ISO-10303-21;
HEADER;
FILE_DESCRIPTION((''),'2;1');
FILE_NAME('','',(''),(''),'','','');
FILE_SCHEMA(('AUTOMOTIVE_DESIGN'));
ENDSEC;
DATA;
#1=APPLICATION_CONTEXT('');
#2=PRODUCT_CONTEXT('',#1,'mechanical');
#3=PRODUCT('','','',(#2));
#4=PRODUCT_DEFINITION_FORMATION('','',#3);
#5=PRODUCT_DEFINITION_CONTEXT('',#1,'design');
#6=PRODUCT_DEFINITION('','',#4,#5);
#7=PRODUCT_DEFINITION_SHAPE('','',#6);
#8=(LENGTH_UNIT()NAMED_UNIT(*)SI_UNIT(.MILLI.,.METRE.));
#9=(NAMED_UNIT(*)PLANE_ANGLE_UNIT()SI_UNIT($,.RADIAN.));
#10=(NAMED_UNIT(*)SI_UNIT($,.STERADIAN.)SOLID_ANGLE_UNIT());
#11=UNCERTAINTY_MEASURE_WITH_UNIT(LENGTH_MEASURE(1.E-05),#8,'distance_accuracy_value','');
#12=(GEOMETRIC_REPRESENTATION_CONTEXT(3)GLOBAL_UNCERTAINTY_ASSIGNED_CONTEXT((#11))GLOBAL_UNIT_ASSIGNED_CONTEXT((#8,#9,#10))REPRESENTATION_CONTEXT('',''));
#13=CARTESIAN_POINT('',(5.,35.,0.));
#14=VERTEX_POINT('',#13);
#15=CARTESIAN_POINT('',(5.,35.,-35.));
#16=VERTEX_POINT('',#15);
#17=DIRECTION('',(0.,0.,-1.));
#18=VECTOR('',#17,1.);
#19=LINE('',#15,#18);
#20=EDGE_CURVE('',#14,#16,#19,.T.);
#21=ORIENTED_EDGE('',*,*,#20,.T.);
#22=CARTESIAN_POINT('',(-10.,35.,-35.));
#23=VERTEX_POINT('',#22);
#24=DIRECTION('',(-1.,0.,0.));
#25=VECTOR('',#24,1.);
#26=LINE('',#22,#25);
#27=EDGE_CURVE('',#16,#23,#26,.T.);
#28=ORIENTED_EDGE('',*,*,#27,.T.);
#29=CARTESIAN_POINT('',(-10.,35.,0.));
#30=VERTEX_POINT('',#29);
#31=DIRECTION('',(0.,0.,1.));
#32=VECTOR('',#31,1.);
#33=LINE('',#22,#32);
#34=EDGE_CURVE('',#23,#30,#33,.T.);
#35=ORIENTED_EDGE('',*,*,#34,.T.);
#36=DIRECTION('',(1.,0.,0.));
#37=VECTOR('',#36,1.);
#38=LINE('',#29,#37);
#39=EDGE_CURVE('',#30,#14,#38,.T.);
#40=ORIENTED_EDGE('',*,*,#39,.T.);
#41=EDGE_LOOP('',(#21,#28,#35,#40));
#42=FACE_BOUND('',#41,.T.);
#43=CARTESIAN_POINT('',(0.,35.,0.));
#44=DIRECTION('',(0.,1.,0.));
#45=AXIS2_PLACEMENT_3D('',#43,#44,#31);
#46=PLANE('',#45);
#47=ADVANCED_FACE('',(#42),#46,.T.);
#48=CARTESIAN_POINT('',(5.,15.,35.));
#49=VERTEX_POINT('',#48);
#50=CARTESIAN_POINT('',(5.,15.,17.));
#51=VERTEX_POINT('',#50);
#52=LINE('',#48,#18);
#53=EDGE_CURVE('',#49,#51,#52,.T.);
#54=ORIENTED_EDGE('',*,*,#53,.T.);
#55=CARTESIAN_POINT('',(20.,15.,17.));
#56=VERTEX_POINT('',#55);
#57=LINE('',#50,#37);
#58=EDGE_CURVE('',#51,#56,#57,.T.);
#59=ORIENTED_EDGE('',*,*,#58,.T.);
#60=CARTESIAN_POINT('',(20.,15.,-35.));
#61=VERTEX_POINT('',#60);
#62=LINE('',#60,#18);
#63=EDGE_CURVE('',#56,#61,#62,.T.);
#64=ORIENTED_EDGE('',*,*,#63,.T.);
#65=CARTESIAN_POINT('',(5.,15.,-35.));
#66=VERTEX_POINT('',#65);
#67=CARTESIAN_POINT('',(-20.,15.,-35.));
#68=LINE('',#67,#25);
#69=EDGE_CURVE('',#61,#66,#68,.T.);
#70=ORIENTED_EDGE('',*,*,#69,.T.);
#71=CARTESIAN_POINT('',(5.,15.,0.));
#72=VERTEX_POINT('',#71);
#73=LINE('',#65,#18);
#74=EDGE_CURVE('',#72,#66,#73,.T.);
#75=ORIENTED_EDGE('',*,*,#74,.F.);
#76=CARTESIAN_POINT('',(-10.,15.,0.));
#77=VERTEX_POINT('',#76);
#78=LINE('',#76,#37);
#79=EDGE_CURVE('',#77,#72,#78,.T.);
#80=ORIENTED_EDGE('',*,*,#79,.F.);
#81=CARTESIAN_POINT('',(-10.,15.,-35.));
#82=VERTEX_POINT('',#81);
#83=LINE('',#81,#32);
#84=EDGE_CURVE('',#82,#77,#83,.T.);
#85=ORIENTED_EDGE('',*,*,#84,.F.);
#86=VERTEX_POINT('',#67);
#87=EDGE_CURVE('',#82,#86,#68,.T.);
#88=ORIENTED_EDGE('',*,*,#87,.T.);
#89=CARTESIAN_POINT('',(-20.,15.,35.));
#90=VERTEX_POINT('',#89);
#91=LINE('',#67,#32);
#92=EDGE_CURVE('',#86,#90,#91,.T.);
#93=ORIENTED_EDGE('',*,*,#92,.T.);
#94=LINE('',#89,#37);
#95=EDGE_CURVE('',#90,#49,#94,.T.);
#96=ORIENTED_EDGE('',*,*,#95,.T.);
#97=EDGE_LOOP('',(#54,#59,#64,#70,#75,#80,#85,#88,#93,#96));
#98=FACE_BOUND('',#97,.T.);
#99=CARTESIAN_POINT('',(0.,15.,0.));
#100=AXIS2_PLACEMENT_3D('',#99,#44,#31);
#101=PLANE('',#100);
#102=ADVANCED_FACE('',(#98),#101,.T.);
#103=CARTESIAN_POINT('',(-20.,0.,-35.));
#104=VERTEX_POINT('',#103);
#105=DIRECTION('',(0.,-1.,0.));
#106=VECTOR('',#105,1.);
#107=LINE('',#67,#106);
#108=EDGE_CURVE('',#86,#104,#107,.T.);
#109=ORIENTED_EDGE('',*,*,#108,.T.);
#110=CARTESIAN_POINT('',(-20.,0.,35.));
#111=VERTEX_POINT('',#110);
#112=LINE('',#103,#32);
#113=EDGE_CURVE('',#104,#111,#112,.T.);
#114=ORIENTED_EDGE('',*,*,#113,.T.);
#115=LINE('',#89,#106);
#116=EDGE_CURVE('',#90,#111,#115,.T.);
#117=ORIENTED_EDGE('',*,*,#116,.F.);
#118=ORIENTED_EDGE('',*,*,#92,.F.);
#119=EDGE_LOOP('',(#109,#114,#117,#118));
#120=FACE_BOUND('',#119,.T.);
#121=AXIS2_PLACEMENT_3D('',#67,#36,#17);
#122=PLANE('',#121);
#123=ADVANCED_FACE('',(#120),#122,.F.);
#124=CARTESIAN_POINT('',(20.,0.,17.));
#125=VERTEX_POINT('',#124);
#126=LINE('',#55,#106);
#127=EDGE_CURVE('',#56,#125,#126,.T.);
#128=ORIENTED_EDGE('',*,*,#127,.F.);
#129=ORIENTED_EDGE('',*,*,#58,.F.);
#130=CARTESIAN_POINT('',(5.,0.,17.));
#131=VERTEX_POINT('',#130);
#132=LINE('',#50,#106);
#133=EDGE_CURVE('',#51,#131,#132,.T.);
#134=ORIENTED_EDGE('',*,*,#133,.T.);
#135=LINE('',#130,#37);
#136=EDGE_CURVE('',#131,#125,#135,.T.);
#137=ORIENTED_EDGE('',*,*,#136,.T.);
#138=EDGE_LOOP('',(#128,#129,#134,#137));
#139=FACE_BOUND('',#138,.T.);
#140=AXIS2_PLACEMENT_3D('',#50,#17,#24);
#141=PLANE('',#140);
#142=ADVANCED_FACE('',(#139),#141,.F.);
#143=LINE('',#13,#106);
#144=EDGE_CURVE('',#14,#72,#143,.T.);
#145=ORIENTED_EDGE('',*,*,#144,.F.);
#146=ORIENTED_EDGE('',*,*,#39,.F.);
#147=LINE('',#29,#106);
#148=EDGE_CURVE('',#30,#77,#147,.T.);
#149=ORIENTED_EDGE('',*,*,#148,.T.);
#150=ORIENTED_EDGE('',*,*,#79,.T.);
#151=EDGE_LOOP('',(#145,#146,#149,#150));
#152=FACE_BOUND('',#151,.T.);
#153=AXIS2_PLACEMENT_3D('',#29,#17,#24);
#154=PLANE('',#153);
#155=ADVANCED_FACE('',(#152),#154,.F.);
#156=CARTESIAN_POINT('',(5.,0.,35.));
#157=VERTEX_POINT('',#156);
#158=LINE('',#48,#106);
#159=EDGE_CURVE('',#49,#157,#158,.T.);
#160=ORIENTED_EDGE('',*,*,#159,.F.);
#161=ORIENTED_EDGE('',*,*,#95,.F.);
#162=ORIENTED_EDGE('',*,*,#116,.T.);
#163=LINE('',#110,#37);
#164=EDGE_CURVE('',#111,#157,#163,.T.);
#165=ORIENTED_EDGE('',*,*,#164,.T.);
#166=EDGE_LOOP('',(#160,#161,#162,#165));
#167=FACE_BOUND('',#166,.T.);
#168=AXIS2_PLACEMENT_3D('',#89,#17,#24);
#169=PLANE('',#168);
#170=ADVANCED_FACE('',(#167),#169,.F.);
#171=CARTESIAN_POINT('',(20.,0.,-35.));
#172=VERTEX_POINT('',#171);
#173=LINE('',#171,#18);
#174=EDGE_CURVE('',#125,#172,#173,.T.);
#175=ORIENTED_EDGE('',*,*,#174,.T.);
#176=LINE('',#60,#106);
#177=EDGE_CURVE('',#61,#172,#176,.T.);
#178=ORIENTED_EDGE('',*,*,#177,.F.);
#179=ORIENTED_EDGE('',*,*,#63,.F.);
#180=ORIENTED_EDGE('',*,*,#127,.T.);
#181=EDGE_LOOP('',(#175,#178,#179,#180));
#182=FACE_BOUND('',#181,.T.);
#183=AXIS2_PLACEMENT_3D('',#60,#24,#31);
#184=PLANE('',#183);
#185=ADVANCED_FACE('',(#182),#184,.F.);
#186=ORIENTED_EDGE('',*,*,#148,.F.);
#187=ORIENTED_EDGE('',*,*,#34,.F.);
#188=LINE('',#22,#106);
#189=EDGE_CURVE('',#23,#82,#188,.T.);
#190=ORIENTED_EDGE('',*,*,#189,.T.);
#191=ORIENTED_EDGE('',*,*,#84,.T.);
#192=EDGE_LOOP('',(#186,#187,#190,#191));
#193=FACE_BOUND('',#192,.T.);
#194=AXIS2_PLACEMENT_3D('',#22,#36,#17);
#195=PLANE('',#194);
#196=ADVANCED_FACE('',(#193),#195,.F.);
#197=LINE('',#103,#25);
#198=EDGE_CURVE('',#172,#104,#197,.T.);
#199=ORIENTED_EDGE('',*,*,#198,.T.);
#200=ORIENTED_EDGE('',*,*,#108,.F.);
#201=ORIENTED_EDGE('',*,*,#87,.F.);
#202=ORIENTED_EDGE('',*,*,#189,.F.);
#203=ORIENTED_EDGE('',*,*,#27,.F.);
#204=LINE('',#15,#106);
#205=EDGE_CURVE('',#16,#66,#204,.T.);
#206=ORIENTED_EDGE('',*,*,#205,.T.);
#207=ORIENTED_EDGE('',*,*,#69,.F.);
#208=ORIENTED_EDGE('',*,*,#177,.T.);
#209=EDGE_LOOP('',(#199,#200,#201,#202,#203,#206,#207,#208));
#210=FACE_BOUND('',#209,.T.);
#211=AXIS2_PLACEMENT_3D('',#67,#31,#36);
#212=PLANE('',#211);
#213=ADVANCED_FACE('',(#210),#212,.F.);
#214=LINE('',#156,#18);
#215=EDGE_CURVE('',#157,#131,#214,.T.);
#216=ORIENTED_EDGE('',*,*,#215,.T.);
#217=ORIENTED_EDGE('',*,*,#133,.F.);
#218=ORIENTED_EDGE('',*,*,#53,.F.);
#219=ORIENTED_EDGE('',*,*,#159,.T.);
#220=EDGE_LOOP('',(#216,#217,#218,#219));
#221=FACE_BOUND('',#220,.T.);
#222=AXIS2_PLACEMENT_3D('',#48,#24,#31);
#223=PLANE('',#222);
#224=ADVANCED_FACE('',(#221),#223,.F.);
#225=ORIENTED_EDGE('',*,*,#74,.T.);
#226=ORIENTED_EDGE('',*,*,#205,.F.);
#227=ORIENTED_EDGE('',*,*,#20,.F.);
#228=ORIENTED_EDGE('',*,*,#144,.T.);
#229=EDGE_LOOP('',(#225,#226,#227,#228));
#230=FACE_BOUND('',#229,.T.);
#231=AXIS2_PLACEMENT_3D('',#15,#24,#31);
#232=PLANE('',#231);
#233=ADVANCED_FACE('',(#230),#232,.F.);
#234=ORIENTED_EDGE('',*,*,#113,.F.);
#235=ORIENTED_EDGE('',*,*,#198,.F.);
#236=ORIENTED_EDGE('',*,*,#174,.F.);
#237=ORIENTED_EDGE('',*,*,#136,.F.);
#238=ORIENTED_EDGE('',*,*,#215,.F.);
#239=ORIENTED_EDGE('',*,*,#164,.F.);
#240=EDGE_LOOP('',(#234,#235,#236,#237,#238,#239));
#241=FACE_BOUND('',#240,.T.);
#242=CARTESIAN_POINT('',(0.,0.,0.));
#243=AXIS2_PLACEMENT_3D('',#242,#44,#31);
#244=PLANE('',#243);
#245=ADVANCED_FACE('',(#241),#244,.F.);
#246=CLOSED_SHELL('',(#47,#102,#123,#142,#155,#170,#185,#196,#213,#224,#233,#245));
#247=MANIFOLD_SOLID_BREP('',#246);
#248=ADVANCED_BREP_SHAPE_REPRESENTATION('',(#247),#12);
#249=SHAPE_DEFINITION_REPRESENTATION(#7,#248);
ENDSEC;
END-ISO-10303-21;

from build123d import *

# Parameters (mm, degrees)
Y_KSEKLIK_EKSTR_ZYON1_DEPTH = 15
IZIM2_W                     = 15
IZIM2_H                     = 35
Y_KSEKLIK_EKSTR_ZYON2_DEPTH = 20


with BuildPart() as part:
    # Çizim1 → Yükseklik-Ekstrüzyon1 (new body)
    with BuildSketch(Plane(origin=(0, 0, 0), x_dir=(1, 0, 0), z_dir=(0, 1, 0))):
        Polygon((5, -35), (5, -17), (20, -17), (20, 35), (-20, 35), (-20, -35), align=None)
    extrude(amount=Y_KSEKLIK_EKSTR_ZYON1_DEPTH)

    # Çizim2 → Yükseklik-Ekstrüzyon2 (add)
    with BuildSketch(Plane(origin=(0, 15, 0), x_dir=(1, 0, 0), z_dir=(0, 1, 0))):
        with Locations((-2.5, 17.5)):
            Rectangle(IZIM2_W, IZIM2_H)
    extrude(amount=Y_KSEKLIK_EKSTR_ZYON2_DEPTH)


solid = part.part
